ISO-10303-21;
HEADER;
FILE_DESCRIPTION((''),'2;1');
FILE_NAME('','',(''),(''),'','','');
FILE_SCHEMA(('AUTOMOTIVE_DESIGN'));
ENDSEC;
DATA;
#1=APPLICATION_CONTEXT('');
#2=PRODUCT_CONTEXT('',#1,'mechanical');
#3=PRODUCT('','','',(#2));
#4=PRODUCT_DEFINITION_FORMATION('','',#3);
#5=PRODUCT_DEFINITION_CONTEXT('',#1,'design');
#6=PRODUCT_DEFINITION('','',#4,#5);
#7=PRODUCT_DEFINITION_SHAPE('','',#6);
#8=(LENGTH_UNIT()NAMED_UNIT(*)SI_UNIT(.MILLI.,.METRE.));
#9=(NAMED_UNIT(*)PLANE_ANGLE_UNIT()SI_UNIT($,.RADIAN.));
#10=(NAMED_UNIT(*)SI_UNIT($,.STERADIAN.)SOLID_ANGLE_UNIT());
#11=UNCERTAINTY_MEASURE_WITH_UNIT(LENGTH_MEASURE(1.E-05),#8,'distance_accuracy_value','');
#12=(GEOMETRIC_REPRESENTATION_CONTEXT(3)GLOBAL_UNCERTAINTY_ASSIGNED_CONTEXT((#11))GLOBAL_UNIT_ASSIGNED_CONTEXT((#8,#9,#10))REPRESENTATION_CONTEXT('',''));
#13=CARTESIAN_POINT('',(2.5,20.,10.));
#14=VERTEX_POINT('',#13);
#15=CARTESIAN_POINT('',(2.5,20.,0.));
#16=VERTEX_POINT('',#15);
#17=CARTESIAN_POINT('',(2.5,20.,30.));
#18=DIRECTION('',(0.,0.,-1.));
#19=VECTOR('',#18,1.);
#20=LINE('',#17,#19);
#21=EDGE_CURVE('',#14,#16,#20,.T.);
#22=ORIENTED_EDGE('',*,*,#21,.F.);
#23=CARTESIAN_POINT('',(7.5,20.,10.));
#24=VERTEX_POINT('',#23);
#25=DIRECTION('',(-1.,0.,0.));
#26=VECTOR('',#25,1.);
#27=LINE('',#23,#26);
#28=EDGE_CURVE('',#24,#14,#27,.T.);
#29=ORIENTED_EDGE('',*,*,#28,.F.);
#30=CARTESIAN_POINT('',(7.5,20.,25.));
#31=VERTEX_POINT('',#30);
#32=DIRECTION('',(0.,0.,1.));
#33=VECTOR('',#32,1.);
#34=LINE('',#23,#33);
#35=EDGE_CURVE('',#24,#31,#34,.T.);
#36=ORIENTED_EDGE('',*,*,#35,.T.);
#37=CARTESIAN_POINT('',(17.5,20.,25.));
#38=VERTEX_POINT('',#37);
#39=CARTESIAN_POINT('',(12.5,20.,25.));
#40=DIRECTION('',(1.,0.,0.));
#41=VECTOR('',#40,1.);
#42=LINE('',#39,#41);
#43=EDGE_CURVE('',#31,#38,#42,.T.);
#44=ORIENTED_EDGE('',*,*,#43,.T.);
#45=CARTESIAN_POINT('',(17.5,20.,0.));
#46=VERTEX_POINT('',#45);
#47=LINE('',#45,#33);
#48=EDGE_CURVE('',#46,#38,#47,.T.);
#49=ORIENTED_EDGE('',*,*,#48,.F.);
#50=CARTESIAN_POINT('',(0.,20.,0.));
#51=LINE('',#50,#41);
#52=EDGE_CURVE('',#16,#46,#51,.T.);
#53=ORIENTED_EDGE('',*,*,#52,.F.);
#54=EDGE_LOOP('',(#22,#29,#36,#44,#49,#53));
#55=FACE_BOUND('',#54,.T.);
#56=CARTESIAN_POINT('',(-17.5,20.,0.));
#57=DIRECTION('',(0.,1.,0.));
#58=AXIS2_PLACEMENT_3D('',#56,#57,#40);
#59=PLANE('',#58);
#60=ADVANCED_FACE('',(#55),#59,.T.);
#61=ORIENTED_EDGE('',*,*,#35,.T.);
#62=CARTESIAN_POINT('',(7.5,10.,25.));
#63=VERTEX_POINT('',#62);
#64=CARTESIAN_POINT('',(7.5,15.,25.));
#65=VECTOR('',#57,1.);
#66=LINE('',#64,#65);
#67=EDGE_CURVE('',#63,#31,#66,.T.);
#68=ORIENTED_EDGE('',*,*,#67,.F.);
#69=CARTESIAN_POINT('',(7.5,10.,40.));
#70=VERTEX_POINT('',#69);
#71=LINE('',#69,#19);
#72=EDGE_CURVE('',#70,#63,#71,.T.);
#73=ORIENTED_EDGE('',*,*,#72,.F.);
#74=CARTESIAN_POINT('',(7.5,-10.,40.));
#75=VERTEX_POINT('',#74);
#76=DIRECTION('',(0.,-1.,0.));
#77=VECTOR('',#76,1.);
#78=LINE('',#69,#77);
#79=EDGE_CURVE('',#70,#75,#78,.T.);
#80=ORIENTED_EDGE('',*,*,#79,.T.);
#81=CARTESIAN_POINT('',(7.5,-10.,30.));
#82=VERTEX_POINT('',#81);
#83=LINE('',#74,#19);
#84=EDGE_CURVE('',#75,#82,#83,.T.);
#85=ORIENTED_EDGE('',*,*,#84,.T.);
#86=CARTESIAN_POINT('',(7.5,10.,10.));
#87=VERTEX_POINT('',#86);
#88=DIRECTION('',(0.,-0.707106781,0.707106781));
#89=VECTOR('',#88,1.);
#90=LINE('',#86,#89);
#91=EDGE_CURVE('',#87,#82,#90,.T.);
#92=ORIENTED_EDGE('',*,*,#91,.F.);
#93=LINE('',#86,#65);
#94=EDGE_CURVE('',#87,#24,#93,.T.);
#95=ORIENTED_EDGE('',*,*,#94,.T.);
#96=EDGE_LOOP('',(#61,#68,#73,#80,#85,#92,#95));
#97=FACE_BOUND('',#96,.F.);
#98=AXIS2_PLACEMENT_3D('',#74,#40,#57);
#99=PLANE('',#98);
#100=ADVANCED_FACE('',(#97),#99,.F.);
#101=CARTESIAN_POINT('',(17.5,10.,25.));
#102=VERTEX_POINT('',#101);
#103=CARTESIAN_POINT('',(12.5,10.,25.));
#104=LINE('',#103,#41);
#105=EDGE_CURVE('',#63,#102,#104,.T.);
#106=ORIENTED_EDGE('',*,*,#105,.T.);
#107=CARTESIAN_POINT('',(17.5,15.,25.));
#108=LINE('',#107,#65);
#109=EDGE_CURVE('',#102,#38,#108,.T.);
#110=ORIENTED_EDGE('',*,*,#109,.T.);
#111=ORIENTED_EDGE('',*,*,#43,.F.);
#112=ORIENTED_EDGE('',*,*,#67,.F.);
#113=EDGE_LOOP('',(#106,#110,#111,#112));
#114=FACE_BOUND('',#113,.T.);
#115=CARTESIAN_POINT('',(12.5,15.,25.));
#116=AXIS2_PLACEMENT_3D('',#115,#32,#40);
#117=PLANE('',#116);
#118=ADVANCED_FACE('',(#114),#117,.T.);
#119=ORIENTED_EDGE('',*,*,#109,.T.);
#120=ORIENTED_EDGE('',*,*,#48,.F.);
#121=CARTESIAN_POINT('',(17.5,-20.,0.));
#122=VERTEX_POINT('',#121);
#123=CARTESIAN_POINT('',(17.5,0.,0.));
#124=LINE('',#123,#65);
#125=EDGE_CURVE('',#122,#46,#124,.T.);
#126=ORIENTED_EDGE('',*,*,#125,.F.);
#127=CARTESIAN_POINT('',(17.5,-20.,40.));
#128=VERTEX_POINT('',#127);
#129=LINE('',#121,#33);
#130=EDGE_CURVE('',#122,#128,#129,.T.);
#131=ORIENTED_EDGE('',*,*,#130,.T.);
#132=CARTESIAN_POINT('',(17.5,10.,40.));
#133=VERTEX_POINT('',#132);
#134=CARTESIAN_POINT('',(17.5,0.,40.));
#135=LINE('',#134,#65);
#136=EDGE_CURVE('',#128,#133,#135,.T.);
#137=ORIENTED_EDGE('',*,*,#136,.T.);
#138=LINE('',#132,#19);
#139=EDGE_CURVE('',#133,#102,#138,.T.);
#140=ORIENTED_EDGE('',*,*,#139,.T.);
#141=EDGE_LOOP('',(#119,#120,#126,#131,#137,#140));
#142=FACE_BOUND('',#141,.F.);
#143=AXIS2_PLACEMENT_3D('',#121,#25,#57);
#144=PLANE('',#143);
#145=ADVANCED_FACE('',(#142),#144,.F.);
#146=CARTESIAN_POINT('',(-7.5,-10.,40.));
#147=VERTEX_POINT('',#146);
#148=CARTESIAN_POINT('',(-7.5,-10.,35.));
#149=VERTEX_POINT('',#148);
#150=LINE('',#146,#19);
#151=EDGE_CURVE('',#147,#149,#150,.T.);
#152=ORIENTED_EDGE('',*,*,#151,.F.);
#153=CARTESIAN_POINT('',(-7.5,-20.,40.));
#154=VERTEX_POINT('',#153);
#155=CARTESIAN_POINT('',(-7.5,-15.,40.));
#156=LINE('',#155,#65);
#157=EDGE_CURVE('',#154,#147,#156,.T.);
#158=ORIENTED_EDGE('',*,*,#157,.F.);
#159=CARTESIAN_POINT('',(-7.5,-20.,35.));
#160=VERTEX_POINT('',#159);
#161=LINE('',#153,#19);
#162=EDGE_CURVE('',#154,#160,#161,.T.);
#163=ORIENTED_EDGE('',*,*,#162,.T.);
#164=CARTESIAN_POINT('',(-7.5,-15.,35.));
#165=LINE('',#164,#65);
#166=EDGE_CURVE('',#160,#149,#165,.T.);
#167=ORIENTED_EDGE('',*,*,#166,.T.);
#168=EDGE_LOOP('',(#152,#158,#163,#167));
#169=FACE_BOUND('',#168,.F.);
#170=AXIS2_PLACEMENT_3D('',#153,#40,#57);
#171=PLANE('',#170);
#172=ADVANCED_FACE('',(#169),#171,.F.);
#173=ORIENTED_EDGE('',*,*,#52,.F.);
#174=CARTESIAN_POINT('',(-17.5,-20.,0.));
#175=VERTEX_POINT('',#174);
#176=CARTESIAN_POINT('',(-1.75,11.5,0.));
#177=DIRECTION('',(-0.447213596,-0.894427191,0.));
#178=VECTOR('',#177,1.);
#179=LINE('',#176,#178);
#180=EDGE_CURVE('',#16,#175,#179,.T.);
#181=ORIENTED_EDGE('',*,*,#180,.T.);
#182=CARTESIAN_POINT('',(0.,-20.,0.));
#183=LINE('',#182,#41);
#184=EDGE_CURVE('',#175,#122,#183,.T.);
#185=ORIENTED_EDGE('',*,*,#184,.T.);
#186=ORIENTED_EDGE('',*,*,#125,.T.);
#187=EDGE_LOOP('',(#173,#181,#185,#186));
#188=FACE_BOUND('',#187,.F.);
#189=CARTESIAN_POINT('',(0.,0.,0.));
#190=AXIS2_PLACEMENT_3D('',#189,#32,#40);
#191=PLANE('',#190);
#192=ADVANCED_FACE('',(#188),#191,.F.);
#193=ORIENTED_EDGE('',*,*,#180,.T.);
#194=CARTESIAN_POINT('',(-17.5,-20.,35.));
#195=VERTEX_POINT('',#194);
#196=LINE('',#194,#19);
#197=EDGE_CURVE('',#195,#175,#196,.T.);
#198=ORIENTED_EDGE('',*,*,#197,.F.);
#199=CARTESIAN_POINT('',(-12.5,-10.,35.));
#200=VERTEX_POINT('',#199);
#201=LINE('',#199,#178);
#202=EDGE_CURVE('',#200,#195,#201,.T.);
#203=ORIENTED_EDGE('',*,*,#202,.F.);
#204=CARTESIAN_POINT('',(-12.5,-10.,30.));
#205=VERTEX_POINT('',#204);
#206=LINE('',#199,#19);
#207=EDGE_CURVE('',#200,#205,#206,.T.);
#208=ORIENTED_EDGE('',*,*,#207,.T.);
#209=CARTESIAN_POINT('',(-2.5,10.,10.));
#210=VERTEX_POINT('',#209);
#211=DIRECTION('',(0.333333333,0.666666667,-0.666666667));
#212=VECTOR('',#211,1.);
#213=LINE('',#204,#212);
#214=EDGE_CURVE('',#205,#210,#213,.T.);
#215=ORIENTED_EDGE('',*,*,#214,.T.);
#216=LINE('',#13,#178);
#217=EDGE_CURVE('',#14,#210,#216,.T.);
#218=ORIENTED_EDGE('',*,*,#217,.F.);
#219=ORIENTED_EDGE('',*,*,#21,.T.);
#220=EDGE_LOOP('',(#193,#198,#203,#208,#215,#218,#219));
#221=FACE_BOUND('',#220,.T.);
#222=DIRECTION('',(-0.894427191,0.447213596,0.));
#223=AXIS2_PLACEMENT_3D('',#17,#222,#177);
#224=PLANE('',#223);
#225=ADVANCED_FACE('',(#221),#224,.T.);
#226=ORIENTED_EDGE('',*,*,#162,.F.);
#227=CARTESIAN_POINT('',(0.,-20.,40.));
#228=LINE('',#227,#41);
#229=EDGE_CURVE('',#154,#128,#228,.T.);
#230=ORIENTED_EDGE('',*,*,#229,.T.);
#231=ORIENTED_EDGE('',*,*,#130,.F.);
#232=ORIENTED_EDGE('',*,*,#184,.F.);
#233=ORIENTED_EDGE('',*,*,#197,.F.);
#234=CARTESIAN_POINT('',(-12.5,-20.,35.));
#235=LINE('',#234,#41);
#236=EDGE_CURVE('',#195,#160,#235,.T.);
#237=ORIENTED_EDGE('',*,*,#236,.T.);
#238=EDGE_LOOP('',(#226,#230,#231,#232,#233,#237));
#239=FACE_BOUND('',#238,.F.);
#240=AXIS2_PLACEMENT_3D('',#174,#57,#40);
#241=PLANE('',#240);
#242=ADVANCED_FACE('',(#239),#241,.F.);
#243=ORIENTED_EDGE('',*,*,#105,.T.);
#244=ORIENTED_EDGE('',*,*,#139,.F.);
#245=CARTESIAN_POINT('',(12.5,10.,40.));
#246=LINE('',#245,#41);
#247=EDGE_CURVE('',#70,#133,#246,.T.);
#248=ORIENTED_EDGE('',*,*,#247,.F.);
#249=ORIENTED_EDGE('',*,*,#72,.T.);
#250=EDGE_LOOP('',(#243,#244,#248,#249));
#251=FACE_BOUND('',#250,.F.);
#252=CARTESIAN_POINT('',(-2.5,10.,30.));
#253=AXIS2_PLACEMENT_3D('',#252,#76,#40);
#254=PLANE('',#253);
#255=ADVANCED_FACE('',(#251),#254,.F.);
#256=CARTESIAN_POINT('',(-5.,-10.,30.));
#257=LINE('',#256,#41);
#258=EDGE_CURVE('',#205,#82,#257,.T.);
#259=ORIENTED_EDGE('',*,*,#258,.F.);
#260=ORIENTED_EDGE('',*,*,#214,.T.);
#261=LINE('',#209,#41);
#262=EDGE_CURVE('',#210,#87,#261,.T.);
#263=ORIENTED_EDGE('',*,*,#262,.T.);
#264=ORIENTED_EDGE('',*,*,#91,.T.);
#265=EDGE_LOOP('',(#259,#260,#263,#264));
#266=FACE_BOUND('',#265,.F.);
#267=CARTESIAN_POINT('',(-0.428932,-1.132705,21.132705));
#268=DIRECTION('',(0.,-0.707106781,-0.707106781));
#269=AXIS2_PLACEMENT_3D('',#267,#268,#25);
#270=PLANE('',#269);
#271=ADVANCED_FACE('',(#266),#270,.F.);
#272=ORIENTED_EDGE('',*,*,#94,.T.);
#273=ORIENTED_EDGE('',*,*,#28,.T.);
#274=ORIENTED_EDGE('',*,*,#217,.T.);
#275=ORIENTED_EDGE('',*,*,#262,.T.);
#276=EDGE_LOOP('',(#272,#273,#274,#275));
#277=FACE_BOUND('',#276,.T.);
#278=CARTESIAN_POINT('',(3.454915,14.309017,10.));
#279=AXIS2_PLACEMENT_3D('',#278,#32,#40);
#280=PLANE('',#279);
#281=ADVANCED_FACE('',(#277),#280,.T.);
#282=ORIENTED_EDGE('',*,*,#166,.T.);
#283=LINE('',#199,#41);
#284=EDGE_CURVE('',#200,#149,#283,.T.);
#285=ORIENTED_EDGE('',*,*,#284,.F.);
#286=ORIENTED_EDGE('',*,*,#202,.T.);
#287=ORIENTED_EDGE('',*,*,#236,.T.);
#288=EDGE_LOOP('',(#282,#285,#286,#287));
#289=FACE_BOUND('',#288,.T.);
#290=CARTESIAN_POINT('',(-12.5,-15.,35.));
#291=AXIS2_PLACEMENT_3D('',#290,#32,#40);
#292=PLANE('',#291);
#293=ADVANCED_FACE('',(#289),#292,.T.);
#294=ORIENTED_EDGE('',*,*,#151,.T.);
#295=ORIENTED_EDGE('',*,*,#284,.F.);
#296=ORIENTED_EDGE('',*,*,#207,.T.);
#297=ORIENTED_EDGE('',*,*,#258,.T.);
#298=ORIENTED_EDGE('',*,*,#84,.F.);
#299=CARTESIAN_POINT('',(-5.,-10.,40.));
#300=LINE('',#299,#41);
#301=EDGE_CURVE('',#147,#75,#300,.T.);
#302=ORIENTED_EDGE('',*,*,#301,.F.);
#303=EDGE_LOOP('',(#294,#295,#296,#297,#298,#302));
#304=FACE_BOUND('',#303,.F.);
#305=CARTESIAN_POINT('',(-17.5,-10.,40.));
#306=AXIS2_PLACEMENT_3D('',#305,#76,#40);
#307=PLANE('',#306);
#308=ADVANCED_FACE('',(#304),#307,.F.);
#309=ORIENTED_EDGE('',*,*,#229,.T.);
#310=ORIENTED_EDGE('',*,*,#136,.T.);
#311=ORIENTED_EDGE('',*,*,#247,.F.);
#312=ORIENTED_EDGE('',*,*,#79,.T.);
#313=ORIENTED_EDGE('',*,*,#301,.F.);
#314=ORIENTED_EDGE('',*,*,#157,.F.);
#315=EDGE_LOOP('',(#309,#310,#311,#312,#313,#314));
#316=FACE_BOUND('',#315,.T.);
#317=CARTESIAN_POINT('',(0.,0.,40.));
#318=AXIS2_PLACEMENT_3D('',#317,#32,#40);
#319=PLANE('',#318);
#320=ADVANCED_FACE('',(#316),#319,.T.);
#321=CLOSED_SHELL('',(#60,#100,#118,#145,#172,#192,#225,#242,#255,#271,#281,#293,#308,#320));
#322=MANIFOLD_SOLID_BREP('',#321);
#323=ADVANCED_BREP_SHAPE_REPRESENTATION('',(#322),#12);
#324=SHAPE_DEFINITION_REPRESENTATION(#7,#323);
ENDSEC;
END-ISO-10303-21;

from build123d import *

# Parameters (mm, degrees)
SKETCH1_W           = 35
SKETCH1_H           = 40
BOSS_EXTRUDE1_DEPTH = 40
SKETCH2_W           = 10
SKETCH2_H           = 10
CUT_EXTRUDE1_DEPTH  = 15
SKETCH3_W           = 10
SKETCH3_H           = 10
CUT_EXTRUDE2_DEPTH  = 5
SKETCH4_W           = 25
SKETCH4_H           = 30
CUT_EXTRUDE3_DEPTH  = 10
CUT_EXTRUDE4_DEPTH  = 31
CUT_EXTRUDE5_DEPTH  = 10
CUT_EXTRUDE6_DEPTH  = 20
CUT_EXTRUDE7_DEPTH  = 20


with BuildPart() as part:
    # Sketch1 → Boss-Extrude1 (new body)
    with BuildSketch(Plane.XY):
        Rectangle(SKETCH1_W, SKETCH1_H)
    extrude(amount=BOSS_EXTRUDE1_DEPTH)

    # Sketch2 → Cut-Extrude1 (cut)
    with BuildSketch(Plane.XY.offset(40)):
        with Locations((12.5, 15)):
            Rectangle(SKETCH2_W, SKETCH2_H)
    extrude(amount=-CUT_EXTRUDE1_DEPTH, mode=Mode.SUBTRACT)

    # Sketch3 → Cut-Extrude2 (cut)
    with BuildSketch(Plane.XY.offset(40)):
        with Locations((-12.5, -15)):
            Rectangle(SKETCH3_W, SKETCH3_H)
    extrude(amount=-CUT_EXTRUDE2_DEPTH, mode=Mode.SUBTRACT)

    # Sketch4 → Cut-Extrude3 (cut)
    with BuildSketch(Plane.XY.offset(40)):
        with Locations((-5, 5)):
            Rectangle(SKETCH4_W, SKETCH4_H)
    extrude(amount=-CUT_EXTRUDE3_DEPTH, mode=Mode.SUBTRACT)

    # Sketch5 → Cut-Extrude4 (cut, through all)
    with BuildSketch(Plane.XY.offset(30)):
        Polygon((2.5, 20), (-17.5, -20), (-17.5, 20), align=None)
    extrude(amount=-CUT_EXTRUDE4_DEPTH, mode=Mode.SUBTRACT)

    # Sketch6 → Cut-Extrude5 (cut)
    with BuildSketch(Plane.XY.offset(35)):
        Polygon((-12.5, -10), (-17.5, -20), (-17.5, -10), align=None)
    extrude(amount=-CUT_EXTRUDE5_DEPTH, mode=Mode.SUBTRACT)

    # Sketch7 → Cut-Extrude6 (cut)
    with BuildSketch(Plane.XY.offset(30)):
        Polygon((7.5, 20), (2.5, 20), (-2.5, 10), (7.5, 10), align=None)
    extrude(amount=-CUT_EXTRUDE6_DEPTH, mode=Mode.SUBTRACT)

    # Sketch13 → Cut-Extrude7 (cut)
    with BuildSketch(Plane(origin=(0, 10, 10), x_dir=(1, 0, 0), z_dir=(0, 0.707106781, 0.707106781))):
        Polygon((7.5, 0), (7.5, -28.284271247), (-12.5, -28.284271247), (-2.5, 0), align=None)
    extrude(amount=CUT_EXTRUDE7_DEPTH, mode=Mode.SUBTRACT)


solid = part.part
